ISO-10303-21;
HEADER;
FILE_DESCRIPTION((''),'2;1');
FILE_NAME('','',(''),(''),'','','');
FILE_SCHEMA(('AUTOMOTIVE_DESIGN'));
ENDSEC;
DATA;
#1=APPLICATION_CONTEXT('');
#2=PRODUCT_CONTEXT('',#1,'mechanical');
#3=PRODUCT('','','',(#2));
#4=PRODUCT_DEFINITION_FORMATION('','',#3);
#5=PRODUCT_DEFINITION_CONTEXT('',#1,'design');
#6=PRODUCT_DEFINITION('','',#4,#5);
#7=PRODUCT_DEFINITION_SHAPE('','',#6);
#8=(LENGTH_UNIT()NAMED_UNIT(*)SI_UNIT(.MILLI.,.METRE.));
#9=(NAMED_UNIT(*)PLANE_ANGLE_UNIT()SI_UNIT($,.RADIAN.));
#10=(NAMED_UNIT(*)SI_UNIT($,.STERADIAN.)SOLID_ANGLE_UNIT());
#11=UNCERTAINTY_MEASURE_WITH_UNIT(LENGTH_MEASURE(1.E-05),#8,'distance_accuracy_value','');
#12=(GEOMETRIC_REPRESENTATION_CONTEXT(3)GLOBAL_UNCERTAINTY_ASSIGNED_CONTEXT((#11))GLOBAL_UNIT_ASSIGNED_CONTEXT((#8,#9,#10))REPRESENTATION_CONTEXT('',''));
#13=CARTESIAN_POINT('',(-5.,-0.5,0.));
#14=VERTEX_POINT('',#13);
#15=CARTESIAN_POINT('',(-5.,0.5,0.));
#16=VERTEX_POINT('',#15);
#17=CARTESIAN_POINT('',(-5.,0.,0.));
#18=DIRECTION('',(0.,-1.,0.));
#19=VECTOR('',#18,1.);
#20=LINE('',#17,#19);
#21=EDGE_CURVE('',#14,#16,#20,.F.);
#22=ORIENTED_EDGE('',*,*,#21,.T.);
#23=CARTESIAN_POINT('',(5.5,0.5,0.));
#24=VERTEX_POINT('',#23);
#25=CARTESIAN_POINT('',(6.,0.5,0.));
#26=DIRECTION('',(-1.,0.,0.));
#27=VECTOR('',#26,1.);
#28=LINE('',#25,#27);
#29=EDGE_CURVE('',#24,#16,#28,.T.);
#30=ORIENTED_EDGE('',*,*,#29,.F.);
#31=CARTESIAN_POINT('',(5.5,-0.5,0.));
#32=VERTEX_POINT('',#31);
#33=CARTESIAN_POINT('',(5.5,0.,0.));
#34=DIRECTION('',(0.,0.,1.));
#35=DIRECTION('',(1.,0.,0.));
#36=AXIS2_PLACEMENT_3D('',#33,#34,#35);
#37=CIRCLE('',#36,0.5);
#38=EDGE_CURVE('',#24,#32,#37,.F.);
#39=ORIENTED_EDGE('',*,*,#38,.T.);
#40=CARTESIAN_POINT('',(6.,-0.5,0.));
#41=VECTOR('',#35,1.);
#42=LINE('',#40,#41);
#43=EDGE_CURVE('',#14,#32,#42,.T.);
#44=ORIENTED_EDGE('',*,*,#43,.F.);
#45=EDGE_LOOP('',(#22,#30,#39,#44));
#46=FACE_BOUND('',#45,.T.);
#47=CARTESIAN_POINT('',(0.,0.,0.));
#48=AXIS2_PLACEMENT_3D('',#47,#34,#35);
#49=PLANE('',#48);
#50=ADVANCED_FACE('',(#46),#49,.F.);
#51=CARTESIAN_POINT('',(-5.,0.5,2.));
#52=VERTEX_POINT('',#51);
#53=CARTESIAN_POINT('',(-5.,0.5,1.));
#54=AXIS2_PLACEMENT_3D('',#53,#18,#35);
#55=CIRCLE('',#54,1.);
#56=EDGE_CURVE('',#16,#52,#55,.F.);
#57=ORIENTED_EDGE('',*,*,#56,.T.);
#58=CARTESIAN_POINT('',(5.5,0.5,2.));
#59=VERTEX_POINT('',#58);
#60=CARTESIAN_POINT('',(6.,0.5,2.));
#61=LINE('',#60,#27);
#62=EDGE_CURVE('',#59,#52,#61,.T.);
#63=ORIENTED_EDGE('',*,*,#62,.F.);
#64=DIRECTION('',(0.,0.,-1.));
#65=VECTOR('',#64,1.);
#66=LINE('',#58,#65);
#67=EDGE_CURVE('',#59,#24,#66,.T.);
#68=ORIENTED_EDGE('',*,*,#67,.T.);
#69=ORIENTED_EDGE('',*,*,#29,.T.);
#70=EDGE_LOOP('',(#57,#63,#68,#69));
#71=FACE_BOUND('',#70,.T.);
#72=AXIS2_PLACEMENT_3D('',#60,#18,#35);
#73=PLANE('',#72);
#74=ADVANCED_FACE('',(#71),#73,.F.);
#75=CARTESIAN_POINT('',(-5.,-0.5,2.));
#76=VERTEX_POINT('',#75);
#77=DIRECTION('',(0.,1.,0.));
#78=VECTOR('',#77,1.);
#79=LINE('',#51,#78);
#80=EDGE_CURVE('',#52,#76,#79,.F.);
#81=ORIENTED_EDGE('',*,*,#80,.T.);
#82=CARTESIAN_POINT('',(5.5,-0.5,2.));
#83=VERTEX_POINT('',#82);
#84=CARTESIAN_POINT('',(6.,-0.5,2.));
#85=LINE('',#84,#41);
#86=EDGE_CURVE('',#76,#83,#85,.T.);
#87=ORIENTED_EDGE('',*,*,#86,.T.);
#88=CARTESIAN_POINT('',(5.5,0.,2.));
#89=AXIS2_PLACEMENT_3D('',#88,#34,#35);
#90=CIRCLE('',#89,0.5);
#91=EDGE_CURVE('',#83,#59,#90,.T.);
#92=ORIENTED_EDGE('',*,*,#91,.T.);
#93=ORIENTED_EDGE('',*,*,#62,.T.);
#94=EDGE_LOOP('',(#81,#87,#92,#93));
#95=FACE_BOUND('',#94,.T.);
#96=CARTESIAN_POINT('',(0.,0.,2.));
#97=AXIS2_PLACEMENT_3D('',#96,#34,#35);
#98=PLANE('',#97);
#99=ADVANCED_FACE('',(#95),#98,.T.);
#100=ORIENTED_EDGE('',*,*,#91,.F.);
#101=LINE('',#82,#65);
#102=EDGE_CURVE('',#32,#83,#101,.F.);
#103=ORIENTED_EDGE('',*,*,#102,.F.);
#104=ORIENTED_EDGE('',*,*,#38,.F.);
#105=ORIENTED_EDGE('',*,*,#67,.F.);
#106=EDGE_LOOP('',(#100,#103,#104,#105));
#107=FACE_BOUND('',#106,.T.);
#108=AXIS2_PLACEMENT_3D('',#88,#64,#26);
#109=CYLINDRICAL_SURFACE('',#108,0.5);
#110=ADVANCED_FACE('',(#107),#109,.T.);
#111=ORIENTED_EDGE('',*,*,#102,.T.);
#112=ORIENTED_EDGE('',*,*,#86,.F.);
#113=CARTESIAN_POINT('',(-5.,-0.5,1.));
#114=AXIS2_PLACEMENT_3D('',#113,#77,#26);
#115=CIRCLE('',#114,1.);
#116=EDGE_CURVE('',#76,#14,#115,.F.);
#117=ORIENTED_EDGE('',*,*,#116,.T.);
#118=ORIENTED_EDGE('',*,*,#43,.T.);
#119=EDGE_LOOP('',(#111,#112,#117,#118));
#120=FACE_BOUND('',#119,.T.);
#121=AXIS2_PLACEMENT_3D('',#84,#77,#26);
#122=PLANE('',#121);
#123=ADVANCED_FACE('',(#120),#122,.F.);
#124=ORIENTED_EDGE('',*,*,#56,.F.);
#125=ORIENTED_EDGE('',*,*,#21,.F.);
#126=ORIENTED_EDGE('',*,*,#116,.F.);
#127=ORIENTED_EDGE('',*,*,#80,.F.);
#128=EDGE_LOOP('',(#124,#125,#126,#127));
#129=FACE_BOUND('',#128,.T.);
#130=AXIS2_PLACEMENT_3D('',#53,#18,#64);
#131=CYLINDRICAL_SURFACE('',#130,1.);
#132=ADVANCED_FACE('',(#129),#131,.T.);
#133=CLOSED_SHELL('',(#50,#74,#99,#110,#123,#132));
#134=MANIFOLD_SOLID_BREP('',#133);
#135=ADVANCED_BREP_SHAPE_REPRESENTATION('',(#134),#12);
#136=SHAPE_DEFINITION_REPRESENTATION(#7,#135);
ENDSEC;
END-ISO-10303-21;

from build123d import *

# Parameters (mm, degrees)
SKETCH1_W           = 12
SKETCH1_H           = 1
BOSS_EXTRUDE1_DEPTH = 2
FILLET1_RADIUS      = 1
FILLET1_LENGTH      = 1
FILLET2_RADIUS      = 0.5
FILLET2_LENGTH      = 2


with BuildPart() as part:
    # Sketch1 → Boss-Extrude1 (new body)
    with BuildSketch(Plane.XY):
        Rectangle(SKETCH1_W, SKETCH1_H)
    extrude(amount=BOSS_EXTRUDE1_DEPTH)

    # Fillet1: full round fillet: the end face becomes a half cylinder, R = half its width
    fillet1_face = Plane((-6, 0, 1), x_dir=(0, 1, 0), z_dir=(-1, 0, 0))  # on the end face: x along it, z out of the body
    fillet1_slab = fillet1_face.offset(-FILLET1_RADIUS / 2) * Box(FILLET1_LENGTH, 2 * FILLET1_RADIUS, FILLET1_RADIUS, mode=Mode.PRIVATE)  # the body's end, R deep
    fillet1_round = Plane((-5, 0, 1), x_dir=(-1, 0, 0), z_dir=(0, 1, 0)) * Cylinder(FILLET1_RADIUS, FILLET1_LENGTH, mode=Mode.PRIVATE)  # its axis R under the face
    add(fillet1_slab - fillet1_round, mode=Mode.SUBTRACT)

    # Fillet2: full round fillet: the end face becomes a half cylinder, R = half its width
    fillet2_face = Plane((6, 0, 1), x_dir=(0, 0, 1), z_dir=(1, 0, 0))  # on the end face: x along it, z out of the body
    fillet2_slab = fillet2_face.offset(-FILLET2_RADIUS / 2) * Box(FILLET2_LENGTH, 2 * FILLET2_RADIUS, FILLET2_RADIUS, mode=Mode.PRIVATE)  # the body's end, R deep
    fillet2_round = Plane((5.5, 0, 1), x_dir=(1, 0, 0), z_dir=(0, 0, 1)) * Cylinder(FILLET2_RADIUS, FILLET2_LENGTH, mode=Mode.PRIVATE)  # its axis R under the face
    add(fillet2_slab - fillet2_round, mode=Mode.SUBTRACT)


solid = part.part
